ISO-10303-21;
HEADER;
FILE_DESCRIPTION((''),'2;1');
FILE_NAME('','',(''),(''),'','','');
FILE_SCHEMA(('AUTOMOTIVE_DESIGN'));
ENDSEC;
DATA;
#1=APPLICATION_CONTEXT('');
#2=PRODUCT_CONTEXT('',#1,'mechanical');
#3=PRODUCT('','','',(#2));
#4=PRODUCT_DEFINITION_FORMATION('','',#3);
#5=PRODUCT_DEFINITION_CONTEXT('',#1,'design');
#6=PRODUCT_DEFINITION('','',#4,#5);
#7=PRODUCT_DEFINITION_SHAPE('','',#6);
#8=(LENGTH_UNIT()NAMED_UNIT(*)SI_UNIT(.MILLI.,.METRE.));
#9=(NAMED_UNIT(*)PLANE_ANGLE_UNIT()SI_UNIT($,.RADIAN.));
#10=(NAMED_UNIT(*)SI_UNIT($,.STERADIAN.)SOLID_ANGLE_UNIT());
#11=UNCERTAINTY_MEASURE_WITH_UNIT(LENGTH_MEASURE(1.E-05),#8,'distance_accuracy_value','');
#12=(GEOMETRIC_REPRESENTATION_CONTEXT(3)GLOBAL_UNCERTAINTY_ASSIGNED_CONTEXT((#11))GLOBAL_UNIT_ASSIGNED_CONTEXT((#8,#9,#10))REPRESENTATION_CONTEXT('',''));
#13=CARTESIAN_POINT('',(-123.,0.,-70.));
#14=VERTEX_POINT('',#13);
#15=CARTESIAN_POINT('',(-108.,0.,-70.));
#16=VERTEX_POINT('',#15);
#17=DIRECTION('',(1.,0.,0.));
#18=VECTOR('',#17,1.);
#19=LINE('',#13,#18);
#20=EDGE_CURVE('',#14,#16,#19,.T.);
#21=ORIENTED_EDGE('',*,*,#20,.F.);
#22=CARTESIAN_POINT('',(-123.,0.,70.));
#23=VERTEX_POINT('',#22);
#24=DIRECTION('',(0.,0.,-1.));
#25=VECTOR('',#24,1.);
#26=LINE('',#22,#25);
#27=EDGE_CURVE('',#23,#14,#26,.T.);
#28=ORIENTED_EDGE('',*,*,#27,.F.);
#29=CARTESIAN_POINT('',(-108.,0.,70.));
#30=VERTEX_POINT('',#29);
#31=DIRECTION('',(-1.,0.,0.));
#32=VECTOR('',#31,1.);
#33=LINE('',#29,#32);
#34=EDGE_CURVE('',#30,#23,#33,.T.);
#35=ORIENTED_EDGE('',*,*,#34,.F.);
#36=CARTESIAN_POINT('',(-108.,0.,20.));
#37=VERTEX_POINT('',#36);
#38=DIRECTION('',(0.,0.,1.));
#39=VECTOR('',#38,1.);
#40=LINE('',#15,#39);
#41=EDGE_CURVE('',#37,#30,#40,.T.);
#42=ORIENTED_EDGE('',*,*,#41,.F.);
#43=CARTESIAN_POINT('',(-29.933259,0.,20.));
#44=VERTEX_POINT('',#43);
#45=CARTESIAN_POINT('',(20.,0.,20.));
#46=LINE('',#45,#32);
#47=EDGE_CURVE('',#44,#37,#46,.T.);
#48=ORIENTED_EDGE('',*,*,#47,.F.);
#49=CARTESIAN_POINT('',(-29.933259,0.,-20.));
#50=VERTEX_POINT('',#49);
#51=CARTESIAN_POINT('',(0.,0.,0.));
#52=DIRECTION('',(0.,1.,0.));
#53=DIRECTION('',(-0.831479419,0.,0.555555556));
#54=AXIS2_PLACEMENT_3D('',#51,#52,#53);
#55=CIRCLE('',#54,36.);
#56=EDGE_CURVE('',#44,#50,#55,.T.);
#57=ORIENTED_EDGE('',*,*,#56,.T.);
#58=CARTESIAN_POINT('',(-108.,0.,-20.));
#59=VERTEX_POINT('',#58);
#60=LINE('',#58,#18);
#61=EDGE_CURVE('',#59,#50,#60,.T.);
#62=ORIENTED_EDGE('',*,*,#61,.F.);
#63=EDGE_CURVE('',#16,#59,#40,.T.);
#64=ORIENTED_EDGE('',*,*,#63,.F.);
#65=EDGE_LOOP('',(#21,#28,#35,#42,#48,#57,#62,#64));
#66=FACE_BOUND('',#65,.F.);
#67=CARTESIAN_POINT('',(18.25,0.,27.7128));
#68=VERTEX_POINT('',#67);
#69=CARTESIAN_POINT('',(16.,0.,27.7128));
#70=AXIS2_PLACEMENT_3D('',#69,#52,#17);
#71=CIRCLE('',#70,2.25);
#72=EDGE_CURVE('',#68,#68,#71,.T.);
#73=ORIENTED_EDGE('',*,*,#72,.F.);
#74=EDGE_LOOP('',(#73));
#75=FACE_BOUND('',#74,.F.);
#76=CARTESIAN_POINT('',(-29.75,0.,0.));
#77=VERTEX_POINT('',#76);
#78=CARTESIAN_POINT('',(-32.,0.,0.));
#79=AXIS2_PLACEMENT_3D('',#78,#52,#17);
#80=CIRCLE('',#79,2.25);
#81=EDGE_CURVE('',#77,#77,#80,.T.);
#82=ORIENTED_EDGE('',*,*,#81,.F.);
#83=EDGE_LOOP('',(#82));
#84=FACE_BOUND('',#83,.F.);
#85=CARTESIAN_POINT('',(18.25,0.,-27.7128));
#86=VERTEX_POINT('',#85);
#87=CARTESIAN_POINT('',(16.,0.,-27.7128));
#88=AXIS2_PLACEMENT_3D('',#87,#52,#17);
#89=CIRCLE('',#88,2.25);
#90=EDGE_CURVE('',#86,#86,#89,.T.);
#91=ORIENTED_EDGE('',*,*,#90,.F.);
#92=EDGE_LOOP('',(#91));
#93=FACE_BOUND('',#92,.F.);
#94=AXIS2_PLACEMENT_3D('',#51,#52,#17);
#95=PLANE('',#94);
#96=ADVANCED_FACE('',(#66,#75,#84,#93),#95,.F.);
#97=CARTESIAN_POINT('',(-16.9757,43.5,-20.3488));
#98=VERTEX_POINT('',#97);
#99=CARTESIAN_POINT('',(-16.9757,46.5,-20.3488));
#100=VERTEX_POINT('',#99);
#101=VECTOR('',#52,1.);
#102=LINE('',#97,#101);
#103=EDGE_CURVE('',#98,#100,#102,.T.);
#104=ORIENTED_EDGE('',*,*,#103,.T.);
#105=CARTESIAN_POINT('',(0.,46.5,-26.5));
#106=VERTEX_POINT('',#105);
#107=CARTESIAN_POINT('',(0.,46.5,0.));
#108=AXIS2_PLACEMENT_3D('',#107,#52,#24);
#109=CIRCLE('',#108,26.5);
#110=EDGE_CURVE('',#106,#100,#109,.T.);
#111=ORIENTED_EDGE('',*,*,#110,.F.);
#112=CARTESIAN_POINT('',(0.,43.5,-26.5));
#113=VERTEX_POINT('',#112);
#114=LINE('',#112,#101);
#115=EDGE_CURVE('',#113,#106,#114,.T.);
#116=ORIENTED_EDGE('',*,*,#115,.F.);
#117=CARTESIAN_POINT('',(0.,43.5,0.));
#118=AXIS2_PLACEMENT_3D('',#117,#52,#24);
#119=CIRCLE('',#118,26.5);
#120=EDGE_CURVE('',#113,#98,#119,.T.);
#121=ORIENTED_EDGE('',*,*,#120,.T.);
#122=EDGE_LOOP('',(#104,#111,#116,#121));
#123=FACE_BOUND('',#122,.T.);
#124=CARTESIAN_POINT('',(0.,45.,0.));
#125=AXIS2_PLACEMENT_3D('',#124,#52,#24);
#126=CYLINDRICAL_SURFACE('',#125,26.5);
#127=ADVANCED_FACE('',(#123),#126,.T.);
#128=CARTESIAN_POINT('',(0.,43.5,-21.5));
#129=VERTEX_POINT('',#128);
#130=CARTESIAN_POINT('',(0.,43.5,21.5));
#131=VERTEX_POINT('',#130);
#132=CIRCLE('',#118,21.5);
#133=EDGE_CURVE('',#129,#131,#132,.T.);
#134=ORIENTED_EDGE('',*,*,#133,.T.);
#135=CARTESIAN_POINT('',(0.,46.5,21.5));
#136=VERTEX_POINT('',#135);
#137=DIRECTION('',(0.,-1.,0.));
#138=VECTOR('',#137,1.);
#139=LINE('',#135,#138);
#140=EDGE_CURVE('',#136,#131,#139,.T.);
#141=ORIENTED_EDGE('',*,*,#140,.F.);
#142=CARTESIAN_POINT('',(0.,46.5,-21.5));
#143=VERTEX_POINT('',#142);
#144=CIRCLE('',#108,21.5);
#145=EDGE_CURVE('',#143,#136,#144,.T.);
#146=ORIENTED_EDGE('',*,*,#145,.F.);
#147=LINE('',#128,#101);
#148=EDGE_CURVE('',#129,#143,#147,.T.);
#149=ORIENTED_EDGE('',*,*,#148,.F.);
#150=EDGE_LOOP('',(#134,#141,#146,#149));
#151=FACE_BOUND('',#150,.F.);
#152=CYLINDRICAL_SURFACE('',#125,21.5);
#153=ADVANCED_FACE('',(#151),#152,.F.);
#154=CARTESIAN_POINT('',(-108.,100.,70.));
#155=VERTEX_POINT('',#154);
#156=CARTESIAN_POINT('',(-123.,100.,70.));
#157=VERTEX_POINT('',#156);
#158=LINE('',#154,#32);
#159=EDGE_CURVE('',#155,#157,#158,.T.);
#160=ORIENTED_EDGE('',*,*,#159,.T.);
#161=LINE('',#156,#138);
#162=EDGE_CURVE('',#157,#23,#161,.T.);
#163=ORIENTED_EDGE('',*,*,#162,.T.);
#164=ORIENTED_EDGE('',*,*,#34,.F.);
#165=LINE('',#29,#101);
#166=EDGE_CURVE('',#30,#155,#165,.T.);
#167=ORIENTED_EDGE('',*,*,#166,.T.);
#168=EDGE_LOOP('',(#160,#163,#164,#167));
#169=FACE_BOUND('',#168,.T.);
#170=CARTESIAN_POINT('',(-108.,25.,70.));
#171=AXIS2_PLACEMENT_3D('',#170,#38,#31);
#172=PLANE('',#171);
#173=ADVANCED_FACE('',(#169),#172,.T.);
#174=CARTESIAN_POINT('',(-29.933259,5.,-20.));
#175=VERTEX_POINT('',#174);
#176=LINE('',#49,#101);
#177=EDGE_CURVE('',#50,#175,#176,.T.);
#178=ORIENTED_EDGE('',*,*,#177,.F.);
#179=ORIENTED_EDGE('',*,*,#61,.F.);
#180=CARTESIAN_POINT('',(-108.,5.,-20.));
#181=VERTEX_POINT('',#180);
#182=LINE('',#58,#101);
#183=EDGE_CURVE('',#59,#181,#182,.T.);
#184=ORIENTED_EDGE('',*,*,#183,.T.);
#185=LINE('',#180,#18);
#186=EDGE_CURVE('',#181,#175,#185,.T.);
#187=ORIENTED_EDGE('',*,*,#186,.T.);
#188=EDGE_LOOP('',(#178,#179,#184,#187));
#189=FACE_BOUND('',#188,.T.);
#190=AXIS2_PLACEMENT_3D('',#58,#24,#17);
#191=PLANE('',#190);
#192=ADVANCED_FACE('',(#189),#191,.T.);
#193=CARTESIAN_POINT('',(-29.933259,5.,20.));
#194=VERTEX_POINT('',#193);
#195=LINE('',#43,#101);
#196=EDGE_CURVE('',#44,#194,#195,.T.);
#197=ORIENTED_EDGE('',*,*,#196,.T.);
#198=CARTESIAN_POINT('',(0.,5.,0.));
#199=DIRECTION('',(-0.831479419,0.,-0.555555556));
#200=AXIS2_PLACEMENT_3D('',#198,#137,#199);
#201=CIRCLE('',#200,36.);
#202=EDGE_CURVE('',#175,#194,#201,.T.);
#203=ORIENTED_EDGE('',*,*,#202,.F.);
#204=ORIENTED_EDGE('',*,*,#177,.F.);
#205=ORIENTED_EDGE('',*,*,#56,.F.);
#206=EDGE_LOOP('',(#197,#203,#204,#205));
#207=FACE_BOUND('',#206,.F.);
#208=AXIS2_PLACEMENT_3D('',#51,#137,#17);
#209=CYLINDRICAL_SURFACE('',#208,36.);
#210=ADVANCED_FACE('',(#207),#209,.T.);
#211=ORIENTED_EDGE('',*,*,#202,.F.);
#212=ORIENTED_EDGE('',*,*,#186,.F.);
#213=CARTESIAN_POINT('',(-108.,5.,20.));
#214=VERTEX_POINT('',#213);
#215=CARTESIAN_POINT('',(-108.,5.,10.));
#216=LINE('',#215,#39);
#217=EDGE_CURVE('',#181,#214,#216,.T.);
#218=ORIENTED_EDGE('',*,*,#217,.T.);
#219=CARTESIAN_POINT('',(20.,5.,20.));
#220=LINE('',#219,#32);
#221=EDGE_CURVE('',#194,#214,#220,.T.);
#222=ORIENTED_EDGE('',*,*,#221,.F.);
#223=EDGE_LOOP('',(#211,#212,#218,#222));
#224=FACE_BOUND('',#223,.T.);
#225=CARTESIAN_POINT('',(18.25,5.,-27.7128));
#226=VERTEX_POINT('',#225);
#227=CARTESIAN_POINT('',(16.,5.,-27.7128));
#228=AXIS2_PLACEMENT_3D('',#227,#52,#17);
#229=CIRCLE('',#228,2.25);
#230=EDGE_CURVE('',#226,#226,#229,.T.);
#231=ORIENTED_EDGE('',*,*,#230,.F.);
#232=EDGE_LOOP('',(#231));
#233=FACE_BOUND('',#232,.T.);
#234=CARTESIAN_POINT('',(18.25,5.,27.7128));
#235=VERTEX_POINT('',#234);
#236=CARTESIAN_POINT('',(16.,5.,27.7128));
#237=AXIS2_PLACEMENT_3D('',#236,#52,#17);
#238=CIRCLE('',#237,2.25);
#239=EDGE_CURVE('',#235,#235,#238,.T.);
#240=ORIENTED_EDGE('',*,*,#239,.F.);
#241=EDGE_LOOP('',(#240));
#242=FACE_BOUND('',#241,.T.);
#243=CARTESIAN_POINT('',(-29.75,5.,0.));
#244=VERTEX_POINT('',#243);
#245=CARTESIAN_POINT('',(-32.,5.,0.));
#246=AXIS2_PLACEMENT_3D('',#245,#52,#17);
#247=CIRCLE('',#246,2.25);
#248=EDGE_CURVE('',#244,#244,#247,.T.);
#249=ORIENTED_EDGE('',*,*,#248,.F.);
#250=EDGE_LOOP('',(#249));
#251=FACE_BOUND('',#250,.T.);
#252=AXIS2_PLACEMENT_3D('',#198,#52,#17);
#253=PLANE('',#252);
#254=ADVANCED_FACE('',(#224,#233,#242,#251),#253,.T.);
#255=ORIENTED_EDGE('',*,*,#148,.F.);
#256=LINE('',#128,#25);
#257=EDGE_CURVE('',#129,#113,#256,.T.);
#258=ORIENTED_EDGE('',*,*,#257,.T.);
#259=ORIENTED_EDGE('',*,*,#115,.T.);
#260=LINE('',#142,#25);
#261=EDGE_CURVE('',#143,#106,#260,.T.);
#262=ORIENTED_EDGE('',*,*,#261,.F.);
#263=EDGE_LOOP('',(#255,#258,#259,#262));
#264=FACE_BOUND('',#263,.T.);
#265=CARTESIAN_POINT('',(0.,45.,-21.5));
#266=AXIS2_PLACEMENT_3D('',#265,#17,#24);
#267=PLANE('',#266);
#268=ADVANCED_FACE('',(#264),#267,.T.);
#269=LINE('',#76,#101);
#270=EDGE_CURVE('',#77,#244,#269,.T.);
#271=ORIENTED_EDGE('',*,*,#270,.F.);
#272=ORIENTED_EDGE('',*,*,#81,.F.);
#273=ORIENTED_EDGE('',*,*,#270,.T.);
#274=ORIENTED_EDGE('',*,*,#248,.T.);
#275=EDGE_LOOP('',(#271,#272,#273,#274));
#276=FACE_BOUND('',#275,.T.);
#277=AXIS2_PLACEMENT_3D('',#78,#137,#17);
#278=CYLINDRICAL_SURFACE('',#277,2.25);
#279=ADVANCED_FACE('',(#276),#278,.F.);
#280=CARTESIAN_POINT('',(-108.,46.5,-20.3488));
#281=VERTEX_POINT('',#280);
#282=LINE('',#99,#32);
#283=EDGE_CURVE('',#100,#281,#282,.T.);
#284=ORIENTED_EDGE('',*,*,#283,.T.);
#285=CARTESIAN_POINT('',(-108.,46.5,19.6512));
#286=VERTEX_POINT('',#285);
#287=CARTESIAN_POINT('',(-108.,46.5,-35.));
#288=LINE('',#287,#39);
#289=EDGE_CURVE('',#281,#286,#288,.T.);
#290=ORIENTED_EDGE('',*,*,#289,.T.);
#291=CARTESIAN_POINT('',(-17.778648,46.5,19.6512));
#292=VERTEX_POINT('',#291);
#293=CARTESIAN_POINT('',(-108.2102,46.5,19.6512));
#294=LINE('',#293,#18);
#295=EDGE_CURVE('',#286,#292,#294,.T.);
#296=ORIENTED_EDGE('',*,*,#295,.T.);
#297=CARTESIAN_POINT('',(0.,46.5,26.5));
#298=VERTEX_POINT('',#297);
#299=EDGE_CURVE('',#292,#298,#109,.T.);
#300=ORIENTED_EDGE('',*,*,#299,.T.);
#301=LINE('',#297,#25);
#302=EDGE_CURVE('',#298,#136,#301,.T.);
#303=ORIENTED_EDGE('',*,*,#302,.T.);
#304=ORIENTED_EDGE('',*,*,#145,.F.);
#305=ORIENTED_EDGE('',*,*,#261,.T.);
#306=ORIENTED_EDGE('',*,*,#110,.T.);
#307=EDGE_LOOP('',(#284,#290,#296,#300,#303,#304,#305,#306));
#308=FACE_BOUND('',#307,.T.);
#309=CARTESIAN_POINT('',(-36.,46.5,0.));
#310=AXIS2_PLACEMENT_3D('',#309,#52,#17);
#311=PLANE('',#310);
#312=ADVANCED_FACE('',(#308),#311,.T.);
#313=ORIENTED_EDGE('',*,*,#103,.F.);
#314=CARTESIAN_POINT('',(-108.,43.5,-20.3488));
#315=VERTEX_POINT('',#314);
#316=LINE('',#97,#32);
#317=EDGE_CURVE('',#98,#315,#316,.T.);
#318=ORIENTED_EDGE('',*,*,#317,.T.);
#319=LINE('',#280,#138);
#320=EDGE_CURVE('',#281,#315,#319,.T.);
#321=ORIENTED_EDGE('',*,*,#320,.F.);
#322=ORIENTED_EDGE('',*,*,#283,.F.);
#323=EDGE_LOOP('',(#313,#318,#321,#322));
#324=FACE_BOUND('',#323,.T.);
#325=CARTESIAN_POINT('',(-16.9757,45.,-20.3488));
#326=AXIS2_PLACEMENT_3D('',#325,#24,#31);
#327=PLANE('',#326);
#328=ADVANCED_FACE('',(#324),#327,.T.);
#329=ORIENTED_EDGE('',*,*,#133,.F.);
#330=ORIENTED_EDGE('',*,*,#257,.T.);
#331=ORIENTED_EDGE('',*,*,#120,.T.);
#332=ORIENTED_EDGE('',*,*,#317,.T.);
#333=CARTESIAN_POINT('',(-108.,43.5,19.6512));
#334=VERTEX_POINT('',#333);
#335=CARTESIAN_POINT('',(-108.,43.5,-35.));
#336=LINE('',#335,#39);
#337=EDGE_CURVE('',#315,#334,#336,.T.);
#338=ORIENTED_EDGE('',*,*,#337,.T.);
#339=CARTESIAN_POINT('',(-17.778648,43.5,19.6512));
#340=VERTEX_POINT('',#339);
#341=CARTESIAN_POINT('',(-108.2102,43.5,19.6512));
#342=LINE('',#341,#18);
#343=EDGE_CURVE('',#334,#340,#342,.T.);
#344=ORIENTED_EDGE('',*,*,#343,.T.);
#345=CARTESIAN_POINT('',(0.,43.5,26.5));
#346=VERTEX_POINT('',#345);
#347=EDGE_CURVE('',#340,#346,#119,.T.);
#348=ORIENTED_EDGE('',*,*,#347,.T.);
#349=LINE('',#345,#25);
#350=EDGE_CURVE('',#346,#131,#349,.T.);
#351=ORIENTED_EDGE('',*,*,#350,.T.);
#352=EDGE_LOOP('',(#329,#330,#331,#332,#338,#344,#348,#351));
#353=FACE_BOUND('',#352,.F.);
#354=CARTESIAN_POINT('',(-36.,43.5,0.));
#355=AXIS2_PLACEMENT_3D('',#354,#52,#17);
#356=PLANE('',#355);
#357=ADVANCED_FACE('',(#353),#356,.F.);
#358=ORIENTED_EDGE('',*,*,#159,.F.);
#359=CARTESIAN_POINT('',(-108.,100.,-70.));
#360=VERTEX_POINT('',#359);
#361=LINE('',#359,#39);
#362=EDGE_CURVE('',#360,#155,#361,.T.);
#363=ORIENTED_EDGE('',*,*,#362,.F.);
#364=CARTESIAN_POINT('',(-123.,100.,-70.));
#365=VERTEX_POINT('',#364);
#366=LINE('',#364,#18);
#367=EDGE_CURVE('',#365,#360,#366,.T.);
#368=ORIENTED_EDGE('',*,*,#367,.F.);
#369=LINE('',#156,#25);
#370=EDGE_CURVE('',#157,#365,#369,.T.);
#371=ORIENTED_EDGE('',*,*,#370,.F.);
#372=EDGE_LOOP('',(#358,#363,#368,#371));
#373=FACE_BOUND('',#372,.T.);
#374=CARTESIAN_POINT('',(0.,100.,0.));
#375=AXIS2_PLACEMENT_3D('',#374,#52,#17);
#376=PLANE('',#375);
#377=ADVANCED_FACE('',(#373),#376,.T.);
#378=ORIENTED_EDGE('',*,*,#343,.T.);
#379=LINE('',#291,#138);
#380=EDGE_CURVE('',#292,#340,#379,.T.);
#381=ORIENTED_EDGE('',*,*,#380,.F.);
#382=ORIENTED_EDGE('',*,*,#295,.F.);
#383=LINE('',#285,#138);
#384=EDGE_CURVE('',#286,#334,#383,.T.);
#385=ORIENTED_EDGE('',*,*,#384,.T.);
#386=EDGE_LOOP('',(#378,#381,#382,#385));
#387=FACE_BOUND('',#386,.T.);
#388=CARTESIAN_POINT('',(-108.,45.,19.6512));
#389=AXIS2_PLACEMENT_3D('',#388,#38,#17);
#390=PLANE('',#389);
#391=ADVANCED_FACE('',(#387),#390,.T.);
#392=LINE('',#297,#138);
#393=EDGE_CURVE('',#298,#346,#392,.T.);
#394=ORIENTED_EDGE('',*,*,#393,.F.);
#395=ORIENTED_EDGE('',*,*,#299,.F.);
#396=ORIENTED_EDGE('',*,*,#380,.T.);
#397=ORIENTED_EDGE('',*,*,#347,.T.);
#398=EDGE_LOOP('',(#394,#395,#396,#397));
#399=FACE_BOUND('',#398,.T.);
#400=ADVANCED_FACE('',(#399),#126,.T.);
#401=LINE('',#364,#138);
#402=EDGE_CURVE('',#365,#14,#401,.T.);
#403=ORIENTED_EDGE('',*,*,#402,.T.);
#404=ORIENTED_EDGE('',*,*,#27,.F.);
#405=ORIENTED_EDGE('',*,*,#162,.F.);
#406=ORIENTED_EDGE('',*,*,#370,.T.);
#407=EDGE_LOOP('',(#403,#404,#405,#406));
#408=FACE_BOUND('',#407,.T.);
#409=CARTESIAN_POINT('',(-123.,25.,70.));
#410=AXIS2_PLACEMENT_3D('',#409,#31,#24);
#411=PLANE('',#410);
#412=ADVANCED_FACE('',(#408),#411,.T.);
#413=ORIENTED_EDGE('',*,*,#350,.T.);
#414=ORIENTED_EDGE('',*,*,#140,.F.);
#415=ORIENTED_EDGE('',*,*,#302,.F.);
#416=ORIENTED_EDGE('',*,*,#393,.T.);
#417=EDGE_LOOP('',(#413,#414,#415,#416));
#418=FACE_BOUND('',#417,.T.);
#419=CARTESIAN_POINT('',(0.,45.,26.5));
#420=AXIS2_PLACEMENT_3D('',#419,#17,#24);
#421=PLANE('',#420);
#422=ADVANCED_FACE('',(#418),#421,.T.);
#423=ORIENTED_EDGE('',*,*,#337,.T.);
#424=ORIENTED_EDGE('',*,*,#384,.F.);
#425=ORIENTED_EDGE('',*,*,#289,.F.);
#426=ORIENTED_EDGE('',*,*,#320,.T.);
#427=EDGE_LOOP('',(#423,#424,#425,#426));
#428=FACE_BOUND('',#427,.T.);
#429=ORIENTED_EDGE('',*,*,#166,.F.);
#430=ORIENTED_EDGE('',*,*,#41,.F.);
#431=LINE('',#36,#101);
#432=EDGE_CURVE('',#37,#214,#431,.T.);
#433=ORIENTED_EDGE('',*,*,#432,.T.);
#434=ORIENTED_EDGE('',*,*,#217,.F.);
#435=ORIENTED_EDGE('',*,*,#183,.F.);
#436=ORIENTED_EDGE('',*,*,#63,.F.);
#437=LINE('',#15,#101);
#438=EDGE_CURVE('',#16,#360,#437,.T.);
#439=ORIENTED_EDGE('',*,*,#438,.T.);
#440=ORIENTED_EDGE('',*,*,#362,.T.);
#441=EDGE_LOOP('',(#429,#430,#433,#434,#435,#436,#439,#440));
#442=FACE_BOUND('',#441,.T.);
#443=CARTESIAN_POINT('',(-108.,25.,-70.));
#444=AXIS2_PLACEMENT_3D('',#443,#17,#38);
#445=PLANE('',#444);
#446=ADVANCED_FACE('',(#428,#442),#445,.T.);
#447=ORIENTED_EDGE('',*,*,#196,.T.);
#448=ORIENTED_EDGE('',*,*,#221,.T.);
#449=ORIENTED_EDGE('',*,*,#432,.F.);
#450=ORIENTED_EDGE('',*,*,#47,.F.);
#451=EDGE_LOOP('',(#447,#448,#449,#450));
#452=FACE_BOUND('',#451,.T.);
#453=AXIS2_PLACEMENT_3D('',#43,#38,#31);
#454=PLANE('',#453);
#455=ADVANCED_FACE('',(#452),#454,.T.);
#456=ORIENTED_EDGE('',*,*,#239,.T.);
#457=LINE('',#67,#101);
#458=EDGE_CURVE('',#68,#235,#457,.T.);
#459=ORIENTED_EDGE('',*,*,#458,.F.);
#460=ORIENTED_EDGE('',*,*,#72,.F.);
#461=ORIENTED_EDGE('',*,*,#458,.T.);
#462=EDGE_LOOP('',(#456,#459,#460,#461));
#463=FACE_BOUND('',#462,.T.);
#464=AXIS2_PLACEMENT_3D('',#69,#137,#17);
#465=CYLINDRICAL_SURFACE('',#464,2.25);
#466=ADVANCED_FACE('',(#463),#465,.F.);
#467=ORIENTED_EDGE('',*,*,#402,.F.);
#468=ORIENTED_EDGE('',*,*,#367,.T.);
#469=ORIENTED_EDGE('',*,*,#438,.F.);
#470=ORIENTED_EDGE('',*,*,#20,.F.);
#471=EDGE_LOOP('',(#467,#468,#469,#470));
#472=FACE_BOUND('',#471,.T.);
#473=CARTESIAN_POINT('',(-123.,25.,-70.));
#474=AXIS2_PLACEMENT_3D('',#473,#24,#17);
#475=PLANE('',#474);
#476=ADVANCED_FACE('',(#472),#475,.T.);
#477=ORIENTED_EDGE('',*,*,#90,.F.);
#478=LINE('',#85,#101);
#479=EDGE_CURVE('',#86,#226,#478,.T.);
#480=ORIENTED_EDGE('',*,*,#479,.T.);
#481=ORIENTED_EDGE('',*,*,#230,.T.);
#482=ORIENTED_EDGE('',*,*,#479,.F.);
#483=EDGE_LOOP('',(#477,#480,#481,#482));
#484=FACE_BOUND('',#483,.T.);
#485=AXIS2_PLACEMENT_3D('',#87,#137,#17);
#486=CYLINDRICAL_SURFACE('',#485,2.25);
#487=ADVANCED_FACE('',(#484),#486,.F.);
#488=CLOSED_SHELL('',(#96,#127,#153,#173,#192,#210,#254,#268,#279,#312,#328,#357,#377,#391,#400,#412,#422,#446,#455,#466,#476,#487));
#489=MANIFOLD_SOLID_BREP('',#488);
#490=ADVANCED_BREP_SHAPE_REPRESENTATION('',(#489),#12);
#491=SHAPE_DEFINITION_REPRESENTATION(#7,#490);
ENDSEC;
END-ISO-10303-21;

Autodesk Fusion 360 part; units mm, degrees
sketch "스케치1" plane through (0, 0, 0) normal (0, 1, 0) x (1, 0, 0)
  circle A0 centre (0, 0) radius 36
  line L0 (-32.5898, 56.4472) -> (34.7247, -60.145) construction
  line L1 (0, 75) -> (0, -75) construction
  line L2 (51.4685, 0) -> (-45, 0) construction
  line L3 (30.2625, 52.4162) -> (-30.7015, -53.1766) construction
  circle A1 centre (0, 0) radius 32 construction
  circle A2 centre (16, -27.7128) radius 2.25
  circle A3 centre (16, 27.7128) radius 2.25
  circle A4 centre (-32, 0) radius 2.25
  curve L4 construction
  point P0 (16, -27.7128)
  point P1 (16, 27.7128)
  point P2 (-32, 0)
  dimension "d2" = 72
  dimension "d3" = 30
  dimension "d4" = 30
  dimension "d5" = 64
  dimension "d6" = 4.5
  dimension "d29" = 100
extrude "돌출1" add sketch "스케치1" along normal blind 2
extrude "돌출2" add 1 faces at (0, 2, 0) along direction (0, 1, 0) blind 3
sketch "스케치2" plane through (0, 0, 0) normal (0, 1, 0) x (1, 0, 0)
  line L0 (20, -20) -> (-108, -20)
  line L1 (-108, -20) -> (-108, 20)
  line L2 (-108, 20) -> (20, 20)
  line L3 (20, 20) -> (20, -20)
  line L4 (0, 75) -> (0, -75)
  circle A0 centre (0, 0) radius 36
  line L5 (-108, -70) -> (-123, -70)
  line L6 (-123, -70) -> (-123, 70)
  line L7 (-123, 70) -> (-108, 70)
  line L8 (-108, 70) -> (-108, -70)
  dimension "d13" = 40
  dimension "d15" = 20
  dimension "d16" = 108
  dimension "d17" = 50
  dimension "d18" = 50
  dimension "d19" = 15
extrude "돌출3" add sketch "스케치2" along normal blind 5 contours L0 L1 L2 A0 L8 | L1 L5 L6 L7 L8
extrude "돌출4" add sketch "스케치2" along normal blind 10 contours L1 L5 L6 L7 L8
extrude "돌출5" add 1 faces at (-113, 10, 23.3333) along direction (0, 1, 0) blind 15
extrude "돌출6" add 1 faces at (-113, 25, 23.3333) along direction (0, 1, 0) blind 75
ref_plane "작업 평면1" through (-43.5, 45, 0) normal (0, 1, 0) x (1, 0, 0)
sketch "스케치3" plane through (-36, 45, 0) normal (0, 1, 0) x (1, 0, 0)
  arc A0 (36, 21.5) -> (36, -21.5) centre (36, 0) ccw
  curve L0
  arc A1 (36, 26.5) -> (36, -26.5) centre (36, 0) ccw
  line L1 (36, 21.5) -> (36, 26.5)
  line L2 (36, -26.5) -> (36, -21.5)
  dimension "d30" = 21.5
  dimension "d31" = 5
sketch "스케치5" plane through (-36, 45, 0) normal (0, 1, 0) x (1, 0, 0)
  line L0 (19.0243, 20.3488) -> (-72.2102, 20.3488)
  line L1 (-72.2102, 20.3488) -> (-72.2102, -19.6512)
  line L2 (-72.2102, -19.6512) -> (19.0243, -19.6512)
  arc A0 (36, 26.5) -> (36, -26.5) centre (36, 0) ccw
  curve L3
extrude "돌출7" add sketch "스케치3" sketch "스케치5" along normal blind 1.5 of sketch 2
extrude "돌출8" add 1 faces at (-79.1466, 45, -0.7681) along direction (0, -1, 0) blind 1.5
equation "d16 = 72 mm + 36 mm"
equation "d30 = ( 43 / 2 ) * 1 mm"
